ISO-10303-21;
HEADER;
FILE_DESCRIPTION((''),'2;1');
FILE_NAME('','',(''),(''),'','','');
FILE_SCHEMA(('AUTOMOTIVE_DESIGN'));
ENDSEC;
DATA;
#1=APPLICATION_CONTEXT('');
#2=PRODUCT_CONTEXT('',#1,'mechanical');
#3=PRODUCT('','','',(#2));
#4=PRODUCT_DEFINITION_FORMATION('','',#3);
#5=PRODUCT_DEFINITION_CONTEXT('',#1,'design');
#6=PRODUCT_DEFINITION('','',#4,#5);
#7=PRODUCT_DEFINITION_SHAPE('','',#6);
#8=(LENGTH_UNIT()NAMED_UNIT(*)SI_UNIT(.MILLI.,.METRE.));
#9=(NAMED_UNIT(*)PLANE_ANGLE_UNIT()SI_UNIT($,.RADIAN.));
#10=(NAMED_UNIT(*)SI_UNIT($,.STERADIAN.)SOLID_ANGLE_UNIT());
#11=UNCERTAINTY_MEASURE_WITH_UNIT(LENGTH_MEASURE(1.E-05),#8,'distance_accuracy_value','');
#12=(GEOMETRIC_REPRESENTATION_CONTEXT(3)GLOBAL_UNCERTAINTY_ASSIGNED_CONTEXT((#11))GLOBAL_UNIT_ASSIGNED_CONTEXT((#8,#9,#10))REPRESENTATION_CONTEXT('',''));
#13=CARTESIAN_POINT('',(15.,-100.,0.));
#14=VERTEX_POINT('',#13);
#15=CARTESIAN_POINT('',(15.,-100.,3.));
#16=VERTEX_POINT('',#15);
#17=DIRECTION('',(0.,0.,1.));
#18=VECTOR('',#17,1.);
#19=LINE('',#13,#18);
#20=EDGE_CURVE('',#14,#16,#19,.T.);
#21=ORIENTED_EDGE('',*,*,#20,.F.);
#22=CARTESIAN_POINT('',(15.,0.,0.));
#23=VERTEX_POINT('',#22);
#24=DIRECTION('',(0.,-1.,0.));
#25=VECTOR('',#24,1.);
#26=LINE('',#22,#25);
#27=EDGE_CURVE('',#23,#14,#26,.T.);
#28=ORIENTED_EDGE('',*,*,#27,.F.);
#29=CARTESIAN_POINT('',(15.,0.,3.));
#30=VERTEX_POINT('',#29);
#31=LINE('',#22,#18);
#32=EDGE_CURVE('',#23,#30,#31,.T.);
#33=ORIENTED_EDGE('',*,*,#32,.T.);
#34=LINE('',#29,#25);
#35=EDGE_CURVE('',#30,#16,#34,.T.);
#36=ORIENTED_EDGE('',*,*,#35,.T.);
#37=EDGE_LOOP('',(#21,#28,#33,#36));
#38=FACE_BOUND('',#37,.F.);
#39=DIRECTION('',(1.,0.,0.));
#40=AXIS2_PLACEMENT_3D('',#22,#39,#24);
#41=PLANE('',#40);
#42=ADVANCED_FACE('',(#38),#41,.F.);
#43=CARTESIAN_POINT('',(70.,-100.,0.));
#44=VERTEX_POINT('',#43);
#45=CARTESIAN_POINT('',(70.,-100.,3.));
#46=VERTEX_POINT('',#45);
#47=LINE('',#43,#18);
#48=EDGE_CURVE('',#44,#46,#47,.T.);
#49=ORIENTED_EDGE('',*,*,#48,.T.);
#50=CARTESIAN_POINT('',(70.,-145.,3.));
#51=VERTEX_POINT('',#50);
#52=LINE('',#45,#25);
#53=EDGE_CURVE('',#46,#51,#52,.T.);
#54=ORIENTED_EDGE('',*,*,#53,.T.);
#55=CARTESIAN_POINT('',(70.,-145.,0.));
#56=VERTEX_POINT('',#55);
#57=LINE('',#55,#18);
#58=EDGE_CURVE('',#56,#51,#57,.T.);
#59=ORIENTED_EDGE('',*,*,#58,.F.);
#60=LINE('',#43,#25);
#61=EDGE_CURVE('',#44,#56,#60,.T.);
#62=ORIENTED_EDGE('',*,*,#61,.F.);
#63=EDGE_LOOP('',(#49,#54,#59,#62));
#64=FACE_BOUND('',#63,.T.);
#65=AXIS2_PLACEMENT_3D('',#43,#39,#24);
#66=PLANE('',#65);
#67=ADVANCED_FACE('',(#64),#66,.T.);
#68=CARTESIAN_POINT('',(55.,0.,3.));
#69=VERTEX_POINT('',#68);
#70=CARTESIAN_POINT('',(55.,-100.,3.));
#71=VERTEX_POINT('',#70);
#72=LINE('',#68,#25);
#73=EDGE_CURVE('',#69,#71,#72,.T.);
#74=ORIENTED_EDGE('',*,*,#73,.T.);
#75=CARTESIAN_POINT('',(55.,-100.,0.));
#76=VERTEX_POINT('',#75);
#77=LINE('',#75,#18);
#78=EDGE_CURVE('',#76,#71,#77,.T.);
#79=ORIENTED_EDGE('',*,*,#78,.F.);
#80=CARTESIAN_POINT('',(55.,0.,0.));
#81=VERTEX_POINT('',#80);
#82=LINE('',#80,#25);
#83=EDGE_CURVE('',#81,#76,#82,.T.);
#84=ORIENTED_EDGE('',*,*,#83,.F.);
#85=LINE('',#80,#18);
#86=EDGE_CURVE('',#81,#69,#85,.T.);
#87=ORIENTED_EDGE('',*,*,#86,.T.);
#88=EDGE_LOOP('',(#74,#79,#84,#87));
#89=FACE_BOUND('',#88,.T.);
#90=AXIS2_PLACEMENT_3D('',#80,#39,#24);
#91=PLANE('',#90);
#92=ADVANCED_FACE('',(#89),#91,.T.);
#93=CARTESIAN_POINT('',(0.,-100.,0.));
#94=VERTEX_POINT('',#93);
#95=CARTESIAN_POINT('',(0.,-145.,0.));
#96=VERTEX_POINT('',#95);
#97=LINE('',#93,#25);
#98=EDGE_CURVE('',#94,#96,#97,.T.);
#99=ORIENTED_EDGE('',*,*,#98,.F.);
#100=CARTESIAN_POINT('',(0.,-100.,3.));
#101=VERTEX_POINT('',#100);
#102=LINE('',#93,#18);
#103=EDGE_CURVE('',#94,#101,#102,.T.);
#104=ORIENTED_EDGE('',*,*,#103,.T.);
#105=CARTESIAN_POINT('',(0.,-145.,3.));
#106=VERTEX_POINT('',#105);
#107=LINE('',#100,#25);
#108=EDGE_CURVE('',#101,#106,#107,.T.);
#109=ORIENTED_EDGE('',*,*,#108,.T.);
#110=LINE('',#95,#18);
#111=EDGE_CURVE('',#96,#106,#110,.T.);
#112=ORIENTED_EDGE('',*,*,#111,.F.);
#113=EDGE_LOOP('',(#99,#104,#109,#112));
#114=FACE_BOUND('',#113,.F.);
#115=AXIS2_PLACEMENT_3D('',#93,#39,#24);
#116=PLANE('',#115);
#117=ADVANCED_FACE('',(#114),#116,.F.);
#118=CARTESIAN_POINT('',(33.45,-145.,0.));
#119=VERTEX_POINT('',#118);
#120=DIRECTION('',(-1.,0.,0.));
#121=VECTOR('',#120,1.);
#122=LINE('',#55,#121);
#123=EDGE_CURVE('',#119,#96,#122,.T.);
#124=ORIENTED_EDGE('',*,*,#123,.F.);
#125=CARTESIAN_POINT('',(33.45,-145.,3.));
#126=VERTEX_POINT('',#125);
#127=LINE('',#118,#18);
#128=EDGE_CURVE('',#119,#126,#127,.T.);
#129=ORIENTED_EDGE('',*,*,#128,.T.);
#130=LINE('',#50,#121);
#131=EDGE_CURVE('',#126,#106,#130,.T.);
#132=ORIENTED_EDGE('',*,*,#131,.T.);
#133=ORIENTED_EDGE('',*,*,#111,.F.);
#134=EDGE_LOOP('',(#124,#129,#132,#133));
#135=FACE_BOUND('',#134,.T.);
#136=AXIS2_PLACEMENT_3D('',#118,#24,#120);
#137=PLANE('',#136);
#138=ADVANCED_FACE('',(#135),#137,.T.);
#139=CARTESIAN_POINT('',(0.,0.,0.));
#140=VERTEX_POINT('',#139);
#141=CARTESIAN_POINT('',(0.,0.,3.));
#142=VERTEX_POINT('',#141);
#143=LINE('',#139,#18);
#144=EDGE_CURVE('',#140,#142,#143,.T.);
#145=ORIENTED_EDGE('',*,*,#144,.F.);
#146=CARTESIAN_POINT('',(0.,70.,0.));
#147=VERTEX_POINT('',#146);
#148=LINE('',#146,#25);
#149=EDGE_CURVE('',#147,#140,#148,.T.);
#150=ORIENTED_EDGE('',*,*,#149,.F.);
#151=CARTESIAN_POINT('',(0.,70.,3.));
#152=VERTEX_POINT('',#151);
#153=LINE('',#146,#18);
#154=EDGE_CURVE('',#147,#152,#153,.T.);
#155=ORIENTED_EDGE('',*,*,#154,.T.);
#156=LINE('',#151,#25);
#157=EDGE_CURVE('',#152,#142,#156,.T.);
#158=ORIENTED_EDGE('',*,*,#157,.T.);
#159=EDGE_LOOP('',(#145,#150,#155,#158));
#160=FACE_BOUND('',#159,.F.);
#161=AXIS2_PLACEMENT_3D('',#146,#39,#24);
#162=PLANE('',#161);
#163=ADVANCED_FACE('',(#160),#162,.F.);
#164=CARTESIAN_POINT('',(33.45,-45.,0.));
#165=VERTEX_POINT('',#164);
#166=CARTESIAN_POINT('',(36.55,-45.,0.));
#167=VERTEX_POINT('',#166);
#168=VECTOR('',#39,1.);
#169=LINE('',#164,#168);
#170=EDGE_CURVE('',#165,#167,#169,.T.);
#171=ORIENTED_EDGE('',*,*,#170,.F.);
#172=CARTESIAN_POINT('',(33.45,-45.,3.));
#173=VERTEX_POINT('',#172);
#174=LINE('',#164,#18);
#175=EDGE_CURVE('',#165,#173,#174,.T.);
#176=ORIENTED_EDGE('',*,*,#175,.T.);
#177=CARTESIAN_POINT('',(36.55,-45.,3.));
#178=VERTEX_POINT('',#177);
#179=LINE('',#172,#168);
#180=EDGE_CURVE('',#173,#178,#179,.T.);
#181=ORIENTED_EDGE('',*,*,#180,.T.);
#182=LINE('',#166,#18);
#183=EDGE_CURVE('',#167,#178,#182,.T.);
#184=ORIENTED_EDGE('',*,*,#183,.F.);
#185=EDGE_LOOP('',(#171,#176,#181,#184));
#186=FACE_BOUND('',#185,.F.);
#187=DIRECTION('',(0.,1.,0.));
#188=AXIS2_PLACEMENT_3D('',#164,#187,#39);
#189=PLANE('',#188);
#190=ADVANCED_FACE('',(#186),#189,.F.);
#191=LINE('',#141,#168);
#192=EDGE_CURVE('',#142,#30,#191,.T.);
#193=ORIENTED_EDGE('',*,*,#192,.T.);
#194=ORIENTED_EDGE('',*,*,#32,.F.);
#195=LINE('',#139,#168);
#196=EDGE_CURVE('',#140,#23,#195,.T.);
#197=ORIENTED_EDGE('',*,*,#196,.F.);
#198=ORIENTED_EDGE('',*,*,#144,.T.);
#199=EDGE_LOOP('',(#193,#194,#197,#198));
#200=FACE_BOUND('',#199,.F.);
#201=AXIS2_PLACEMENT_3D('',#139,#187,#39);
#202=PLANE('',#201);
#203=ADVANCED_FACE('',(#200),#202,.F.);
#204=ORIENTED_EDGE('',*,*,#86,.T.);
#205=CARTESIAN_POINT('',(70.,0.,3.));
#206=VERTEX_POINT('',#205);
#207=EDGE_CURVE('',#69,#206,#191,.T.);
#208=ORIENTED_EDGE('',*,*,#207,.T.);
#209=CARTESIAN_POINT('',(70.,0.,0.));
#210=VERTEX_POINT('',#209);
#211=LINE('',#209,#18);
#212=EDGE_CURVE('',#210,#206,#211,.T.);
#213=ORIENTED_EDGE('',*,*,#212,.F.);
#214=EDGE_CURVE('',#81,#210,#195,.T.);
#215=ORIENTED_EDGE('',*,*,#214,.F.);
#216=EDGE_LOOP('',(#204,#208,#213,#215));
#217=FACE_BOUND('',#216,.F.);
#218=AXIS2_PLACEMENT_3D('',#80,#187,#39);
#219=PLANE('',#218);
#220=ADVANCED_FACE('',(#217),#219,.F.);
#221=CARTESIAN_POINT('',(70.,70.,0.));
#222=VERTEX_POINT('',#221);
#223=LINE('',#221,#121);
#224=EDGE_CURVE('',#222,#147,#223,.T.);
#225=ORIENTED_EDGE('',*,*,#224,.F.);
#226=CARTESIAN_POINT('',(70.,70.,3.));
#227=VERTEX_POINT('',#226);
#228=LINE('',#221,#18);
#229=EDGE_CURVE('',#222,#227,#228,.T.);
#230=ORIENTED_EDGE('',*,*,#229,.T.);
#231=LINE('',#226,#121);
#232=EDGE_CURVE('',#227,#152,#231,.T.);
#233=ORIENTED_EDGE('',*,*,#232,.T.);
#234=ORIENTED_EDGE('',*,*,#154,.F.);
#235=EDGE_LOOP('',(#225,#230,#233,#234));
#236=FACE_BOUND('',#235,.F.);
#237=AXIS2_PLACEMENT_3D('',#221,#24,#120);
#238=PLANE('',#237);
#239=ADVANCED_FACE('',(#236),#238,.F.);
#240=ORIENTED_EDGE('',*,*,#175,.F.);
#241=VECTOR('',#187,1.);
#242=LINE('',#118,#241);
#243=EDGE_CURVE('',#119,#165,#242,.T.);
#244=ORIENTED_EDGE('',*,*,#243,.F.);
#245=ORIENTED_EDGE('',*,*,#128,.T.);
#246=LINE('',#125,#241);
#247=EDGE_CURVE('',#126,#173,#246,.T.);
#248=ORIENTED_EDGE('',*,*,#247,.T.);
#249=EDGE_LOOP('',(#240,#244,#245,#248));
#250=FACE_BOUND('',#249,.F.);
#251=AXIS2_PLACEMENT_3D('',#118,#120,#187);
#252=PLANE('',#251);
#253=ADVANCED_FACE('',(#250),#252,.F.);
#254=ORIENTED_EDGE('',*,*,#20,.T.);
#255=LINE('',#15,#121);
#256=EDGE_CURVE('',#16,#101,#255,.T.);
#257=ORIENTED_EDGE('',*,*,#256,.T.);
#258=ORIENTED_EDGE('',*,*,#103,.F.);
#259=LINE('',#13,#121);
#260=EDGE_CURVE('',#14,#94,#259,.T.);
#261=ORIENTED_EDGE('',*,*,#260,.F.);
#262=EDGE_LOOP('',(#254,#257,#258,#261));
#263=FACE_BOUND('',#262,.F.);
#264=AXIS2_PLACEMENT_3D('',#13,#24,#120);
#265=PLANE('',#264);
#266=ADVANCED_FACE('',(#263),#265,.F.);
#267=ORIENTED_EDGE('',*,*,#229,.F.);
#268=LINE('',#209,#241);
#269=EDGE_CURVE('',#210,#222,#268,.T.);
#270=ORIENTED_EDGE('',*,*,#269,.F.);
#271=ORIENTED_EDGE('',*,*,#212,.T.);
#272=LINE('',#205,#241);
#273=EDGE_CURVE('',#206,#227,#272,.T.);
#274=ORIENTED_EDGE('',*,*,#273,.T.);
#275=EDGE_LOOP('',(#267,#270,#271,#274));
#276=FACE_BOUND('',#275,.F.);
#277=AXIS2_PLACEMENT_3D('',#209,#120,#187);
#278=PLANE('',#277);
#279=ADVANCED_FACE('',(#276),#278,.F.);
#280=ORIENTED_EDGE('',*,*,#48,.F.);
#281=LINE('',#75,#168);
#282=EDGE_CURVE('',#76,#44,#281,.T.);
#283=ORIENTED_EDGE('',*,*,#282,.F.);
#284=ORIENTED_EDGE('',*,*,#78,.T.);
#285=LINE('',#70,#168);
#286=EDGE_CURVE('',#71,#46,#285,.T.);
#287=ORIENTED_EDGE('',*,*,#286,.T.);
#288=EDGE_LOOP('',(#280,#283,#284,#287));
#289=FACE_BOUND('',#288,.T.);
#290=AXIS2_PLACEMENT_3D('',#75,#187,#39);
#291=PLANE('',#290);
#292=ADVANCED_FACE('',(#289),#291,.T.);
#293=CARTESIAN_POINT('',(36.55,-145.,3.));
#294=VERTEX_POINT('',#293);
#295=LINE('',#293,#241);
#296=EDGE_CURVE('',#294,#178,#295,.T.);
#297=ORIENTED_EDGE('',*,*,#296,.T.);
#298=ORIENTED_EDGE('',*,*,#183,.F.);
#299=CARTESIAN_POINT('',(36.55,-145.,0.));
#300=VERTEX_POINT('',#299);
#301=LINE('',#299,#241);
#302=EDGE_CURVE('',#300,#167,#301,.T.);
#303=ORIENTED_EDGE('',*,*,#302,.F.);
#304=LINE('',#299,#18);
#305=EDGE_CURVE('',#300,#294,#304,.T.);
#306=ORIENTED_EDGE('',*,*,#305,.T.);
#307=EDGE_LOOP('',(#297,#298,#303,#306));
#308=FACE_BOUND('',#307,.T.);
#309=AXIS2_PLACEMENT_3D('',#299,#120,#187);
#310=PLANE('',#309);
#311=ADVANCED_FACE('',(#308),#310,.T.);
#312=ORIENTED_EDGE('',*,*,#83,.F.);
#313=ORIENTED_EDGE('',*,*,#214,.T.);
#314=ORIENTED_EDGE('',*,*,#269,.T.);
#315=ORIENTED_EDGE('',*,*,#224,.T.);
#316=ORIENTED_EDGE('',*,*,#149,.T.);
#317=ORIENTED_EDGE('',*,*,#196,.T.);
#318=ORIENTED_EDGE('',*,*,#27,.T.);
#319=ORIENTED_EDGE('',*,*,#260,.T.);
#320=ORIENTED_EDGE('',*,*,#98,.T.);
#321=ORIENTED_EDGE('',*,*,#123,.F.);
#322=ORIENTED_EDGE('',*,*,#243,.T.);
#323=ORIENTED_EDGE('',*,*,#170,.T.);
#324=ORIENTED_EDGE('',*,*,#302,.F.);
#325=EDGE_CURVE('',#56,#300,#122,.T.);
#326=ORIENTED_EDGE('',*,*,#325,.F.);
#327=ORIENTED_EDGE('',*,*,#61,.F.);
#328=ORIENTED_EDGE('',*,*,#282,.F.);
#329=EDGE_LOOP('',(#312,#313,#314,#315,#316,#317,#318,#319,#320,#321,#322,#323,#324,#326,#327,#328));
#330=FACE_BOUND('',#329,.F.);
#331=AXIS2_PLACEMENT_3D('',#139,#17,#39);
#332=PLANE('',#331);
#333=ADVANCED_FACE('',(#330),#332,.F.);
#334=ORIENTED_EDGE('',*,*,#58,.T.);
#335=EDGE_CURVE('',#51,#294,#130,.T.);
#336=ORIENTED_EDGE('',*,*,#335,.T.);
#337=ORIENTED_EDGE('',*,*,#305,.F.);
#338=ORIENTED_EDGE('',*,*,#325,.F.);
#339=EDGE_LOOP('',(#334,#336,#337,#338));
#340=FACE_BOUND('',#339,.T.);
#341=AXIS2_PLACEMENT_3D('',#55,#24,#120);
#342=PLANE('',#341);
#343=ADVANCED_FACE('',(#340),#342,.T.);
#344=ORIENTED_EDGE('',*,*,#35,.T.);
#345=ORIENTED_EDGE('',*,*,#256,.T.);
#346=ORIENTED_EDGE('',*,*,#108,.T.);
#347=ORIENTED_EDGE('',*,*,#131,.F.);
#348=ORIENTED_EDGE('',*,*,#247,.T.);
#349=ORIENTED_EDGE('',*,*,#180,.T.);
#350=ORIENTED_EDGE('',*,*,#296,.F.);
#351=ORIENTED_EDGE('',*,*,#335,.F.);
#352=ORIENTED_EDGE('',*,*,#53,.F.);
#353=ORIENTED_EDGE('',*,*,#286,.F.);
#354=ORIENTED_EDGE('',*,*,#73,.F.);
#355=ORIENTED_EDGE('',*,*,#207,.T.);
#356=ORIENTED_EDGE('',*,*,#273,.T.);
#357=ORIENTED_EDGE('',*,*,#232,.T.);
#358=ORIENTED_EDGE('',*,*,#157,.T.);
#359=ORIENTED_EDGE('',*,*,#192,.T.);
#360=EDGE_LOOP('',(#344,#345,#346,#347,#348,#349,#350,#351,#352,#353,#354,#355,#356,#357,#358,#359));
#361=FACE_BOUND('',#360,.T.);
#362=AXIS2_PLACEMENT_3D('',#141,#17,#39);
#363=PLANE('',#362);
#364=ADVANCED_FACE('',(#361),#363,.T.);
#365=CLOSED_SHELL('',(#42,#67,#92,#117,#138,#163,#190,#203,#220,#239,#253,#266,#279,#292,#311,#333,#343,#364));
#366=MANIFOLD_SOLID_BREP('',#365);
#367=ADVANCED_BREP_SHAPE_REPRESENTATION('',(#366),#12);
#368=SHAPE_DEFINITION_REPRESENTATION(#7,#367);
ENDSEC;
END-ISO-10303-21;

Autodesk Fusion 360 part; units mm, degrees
sketch "Sketch1" plane through (0, 0, 0) normal (0, 0, 1) x (1, 0, 0)
  line L0 (0, 0) -> (70, 0)
  line L1 (70, 0) -> (70, 70)
  line L2 (70, 70) -> (0, 70)
  line L3 (0, 70) -> (0, 0)
  line L4 (70, 0) -> (55, 0)
  line L5 (0, 0) -> (15, 0)
  line L6 (15, 0) -> (15, -100)
  line L7 (55, 0) -> (55, -100)
  line L8 (55, -100) -> (70, -100)
  line L9 (15, -100) -> (0, -100)
  line L10 (0, -100) -> (0, -145)
  line L11 (70, -100) -> (70, -145)
  line L12 (70, -145) -> (0, -145)
  line L13 (35, -145) -> (36.55, -145)
  line L14 (35, -145) -> (33.45, -145)
  line L15 (36.55, -145) -> (36.55, -45)
  line L16 (33.45, -145) -> (33.45, -45)
  line L17 (33.45, -45) -> (36.55, -45)
  dimension "d1" = 70
  dimension "d2" = 70
  dimension "d3" = 15
  dimension "d4" = 15
  dimension "d5" = 100
  dimension "d6" = 100
  dimension "d7" = 15
  dimension "d8" = 15
  dimension "d9" = 45
  dimension "d10" = 45
  dimension "d11" = 1.55
  dimension "d12" = 1.55
  dimension "d13" = 100
  dimension "d14" = 100
  dimension "d17" = 33.25
  dimension "d18" = 33.25
extrude "Extrude1" add sketch "Sketch1" along normal blind 3 contours L0 L1 L2 L3 L4 L5 | L0 L6 L7 L8 L9 L10 L11 L12 L15 L16 L17
